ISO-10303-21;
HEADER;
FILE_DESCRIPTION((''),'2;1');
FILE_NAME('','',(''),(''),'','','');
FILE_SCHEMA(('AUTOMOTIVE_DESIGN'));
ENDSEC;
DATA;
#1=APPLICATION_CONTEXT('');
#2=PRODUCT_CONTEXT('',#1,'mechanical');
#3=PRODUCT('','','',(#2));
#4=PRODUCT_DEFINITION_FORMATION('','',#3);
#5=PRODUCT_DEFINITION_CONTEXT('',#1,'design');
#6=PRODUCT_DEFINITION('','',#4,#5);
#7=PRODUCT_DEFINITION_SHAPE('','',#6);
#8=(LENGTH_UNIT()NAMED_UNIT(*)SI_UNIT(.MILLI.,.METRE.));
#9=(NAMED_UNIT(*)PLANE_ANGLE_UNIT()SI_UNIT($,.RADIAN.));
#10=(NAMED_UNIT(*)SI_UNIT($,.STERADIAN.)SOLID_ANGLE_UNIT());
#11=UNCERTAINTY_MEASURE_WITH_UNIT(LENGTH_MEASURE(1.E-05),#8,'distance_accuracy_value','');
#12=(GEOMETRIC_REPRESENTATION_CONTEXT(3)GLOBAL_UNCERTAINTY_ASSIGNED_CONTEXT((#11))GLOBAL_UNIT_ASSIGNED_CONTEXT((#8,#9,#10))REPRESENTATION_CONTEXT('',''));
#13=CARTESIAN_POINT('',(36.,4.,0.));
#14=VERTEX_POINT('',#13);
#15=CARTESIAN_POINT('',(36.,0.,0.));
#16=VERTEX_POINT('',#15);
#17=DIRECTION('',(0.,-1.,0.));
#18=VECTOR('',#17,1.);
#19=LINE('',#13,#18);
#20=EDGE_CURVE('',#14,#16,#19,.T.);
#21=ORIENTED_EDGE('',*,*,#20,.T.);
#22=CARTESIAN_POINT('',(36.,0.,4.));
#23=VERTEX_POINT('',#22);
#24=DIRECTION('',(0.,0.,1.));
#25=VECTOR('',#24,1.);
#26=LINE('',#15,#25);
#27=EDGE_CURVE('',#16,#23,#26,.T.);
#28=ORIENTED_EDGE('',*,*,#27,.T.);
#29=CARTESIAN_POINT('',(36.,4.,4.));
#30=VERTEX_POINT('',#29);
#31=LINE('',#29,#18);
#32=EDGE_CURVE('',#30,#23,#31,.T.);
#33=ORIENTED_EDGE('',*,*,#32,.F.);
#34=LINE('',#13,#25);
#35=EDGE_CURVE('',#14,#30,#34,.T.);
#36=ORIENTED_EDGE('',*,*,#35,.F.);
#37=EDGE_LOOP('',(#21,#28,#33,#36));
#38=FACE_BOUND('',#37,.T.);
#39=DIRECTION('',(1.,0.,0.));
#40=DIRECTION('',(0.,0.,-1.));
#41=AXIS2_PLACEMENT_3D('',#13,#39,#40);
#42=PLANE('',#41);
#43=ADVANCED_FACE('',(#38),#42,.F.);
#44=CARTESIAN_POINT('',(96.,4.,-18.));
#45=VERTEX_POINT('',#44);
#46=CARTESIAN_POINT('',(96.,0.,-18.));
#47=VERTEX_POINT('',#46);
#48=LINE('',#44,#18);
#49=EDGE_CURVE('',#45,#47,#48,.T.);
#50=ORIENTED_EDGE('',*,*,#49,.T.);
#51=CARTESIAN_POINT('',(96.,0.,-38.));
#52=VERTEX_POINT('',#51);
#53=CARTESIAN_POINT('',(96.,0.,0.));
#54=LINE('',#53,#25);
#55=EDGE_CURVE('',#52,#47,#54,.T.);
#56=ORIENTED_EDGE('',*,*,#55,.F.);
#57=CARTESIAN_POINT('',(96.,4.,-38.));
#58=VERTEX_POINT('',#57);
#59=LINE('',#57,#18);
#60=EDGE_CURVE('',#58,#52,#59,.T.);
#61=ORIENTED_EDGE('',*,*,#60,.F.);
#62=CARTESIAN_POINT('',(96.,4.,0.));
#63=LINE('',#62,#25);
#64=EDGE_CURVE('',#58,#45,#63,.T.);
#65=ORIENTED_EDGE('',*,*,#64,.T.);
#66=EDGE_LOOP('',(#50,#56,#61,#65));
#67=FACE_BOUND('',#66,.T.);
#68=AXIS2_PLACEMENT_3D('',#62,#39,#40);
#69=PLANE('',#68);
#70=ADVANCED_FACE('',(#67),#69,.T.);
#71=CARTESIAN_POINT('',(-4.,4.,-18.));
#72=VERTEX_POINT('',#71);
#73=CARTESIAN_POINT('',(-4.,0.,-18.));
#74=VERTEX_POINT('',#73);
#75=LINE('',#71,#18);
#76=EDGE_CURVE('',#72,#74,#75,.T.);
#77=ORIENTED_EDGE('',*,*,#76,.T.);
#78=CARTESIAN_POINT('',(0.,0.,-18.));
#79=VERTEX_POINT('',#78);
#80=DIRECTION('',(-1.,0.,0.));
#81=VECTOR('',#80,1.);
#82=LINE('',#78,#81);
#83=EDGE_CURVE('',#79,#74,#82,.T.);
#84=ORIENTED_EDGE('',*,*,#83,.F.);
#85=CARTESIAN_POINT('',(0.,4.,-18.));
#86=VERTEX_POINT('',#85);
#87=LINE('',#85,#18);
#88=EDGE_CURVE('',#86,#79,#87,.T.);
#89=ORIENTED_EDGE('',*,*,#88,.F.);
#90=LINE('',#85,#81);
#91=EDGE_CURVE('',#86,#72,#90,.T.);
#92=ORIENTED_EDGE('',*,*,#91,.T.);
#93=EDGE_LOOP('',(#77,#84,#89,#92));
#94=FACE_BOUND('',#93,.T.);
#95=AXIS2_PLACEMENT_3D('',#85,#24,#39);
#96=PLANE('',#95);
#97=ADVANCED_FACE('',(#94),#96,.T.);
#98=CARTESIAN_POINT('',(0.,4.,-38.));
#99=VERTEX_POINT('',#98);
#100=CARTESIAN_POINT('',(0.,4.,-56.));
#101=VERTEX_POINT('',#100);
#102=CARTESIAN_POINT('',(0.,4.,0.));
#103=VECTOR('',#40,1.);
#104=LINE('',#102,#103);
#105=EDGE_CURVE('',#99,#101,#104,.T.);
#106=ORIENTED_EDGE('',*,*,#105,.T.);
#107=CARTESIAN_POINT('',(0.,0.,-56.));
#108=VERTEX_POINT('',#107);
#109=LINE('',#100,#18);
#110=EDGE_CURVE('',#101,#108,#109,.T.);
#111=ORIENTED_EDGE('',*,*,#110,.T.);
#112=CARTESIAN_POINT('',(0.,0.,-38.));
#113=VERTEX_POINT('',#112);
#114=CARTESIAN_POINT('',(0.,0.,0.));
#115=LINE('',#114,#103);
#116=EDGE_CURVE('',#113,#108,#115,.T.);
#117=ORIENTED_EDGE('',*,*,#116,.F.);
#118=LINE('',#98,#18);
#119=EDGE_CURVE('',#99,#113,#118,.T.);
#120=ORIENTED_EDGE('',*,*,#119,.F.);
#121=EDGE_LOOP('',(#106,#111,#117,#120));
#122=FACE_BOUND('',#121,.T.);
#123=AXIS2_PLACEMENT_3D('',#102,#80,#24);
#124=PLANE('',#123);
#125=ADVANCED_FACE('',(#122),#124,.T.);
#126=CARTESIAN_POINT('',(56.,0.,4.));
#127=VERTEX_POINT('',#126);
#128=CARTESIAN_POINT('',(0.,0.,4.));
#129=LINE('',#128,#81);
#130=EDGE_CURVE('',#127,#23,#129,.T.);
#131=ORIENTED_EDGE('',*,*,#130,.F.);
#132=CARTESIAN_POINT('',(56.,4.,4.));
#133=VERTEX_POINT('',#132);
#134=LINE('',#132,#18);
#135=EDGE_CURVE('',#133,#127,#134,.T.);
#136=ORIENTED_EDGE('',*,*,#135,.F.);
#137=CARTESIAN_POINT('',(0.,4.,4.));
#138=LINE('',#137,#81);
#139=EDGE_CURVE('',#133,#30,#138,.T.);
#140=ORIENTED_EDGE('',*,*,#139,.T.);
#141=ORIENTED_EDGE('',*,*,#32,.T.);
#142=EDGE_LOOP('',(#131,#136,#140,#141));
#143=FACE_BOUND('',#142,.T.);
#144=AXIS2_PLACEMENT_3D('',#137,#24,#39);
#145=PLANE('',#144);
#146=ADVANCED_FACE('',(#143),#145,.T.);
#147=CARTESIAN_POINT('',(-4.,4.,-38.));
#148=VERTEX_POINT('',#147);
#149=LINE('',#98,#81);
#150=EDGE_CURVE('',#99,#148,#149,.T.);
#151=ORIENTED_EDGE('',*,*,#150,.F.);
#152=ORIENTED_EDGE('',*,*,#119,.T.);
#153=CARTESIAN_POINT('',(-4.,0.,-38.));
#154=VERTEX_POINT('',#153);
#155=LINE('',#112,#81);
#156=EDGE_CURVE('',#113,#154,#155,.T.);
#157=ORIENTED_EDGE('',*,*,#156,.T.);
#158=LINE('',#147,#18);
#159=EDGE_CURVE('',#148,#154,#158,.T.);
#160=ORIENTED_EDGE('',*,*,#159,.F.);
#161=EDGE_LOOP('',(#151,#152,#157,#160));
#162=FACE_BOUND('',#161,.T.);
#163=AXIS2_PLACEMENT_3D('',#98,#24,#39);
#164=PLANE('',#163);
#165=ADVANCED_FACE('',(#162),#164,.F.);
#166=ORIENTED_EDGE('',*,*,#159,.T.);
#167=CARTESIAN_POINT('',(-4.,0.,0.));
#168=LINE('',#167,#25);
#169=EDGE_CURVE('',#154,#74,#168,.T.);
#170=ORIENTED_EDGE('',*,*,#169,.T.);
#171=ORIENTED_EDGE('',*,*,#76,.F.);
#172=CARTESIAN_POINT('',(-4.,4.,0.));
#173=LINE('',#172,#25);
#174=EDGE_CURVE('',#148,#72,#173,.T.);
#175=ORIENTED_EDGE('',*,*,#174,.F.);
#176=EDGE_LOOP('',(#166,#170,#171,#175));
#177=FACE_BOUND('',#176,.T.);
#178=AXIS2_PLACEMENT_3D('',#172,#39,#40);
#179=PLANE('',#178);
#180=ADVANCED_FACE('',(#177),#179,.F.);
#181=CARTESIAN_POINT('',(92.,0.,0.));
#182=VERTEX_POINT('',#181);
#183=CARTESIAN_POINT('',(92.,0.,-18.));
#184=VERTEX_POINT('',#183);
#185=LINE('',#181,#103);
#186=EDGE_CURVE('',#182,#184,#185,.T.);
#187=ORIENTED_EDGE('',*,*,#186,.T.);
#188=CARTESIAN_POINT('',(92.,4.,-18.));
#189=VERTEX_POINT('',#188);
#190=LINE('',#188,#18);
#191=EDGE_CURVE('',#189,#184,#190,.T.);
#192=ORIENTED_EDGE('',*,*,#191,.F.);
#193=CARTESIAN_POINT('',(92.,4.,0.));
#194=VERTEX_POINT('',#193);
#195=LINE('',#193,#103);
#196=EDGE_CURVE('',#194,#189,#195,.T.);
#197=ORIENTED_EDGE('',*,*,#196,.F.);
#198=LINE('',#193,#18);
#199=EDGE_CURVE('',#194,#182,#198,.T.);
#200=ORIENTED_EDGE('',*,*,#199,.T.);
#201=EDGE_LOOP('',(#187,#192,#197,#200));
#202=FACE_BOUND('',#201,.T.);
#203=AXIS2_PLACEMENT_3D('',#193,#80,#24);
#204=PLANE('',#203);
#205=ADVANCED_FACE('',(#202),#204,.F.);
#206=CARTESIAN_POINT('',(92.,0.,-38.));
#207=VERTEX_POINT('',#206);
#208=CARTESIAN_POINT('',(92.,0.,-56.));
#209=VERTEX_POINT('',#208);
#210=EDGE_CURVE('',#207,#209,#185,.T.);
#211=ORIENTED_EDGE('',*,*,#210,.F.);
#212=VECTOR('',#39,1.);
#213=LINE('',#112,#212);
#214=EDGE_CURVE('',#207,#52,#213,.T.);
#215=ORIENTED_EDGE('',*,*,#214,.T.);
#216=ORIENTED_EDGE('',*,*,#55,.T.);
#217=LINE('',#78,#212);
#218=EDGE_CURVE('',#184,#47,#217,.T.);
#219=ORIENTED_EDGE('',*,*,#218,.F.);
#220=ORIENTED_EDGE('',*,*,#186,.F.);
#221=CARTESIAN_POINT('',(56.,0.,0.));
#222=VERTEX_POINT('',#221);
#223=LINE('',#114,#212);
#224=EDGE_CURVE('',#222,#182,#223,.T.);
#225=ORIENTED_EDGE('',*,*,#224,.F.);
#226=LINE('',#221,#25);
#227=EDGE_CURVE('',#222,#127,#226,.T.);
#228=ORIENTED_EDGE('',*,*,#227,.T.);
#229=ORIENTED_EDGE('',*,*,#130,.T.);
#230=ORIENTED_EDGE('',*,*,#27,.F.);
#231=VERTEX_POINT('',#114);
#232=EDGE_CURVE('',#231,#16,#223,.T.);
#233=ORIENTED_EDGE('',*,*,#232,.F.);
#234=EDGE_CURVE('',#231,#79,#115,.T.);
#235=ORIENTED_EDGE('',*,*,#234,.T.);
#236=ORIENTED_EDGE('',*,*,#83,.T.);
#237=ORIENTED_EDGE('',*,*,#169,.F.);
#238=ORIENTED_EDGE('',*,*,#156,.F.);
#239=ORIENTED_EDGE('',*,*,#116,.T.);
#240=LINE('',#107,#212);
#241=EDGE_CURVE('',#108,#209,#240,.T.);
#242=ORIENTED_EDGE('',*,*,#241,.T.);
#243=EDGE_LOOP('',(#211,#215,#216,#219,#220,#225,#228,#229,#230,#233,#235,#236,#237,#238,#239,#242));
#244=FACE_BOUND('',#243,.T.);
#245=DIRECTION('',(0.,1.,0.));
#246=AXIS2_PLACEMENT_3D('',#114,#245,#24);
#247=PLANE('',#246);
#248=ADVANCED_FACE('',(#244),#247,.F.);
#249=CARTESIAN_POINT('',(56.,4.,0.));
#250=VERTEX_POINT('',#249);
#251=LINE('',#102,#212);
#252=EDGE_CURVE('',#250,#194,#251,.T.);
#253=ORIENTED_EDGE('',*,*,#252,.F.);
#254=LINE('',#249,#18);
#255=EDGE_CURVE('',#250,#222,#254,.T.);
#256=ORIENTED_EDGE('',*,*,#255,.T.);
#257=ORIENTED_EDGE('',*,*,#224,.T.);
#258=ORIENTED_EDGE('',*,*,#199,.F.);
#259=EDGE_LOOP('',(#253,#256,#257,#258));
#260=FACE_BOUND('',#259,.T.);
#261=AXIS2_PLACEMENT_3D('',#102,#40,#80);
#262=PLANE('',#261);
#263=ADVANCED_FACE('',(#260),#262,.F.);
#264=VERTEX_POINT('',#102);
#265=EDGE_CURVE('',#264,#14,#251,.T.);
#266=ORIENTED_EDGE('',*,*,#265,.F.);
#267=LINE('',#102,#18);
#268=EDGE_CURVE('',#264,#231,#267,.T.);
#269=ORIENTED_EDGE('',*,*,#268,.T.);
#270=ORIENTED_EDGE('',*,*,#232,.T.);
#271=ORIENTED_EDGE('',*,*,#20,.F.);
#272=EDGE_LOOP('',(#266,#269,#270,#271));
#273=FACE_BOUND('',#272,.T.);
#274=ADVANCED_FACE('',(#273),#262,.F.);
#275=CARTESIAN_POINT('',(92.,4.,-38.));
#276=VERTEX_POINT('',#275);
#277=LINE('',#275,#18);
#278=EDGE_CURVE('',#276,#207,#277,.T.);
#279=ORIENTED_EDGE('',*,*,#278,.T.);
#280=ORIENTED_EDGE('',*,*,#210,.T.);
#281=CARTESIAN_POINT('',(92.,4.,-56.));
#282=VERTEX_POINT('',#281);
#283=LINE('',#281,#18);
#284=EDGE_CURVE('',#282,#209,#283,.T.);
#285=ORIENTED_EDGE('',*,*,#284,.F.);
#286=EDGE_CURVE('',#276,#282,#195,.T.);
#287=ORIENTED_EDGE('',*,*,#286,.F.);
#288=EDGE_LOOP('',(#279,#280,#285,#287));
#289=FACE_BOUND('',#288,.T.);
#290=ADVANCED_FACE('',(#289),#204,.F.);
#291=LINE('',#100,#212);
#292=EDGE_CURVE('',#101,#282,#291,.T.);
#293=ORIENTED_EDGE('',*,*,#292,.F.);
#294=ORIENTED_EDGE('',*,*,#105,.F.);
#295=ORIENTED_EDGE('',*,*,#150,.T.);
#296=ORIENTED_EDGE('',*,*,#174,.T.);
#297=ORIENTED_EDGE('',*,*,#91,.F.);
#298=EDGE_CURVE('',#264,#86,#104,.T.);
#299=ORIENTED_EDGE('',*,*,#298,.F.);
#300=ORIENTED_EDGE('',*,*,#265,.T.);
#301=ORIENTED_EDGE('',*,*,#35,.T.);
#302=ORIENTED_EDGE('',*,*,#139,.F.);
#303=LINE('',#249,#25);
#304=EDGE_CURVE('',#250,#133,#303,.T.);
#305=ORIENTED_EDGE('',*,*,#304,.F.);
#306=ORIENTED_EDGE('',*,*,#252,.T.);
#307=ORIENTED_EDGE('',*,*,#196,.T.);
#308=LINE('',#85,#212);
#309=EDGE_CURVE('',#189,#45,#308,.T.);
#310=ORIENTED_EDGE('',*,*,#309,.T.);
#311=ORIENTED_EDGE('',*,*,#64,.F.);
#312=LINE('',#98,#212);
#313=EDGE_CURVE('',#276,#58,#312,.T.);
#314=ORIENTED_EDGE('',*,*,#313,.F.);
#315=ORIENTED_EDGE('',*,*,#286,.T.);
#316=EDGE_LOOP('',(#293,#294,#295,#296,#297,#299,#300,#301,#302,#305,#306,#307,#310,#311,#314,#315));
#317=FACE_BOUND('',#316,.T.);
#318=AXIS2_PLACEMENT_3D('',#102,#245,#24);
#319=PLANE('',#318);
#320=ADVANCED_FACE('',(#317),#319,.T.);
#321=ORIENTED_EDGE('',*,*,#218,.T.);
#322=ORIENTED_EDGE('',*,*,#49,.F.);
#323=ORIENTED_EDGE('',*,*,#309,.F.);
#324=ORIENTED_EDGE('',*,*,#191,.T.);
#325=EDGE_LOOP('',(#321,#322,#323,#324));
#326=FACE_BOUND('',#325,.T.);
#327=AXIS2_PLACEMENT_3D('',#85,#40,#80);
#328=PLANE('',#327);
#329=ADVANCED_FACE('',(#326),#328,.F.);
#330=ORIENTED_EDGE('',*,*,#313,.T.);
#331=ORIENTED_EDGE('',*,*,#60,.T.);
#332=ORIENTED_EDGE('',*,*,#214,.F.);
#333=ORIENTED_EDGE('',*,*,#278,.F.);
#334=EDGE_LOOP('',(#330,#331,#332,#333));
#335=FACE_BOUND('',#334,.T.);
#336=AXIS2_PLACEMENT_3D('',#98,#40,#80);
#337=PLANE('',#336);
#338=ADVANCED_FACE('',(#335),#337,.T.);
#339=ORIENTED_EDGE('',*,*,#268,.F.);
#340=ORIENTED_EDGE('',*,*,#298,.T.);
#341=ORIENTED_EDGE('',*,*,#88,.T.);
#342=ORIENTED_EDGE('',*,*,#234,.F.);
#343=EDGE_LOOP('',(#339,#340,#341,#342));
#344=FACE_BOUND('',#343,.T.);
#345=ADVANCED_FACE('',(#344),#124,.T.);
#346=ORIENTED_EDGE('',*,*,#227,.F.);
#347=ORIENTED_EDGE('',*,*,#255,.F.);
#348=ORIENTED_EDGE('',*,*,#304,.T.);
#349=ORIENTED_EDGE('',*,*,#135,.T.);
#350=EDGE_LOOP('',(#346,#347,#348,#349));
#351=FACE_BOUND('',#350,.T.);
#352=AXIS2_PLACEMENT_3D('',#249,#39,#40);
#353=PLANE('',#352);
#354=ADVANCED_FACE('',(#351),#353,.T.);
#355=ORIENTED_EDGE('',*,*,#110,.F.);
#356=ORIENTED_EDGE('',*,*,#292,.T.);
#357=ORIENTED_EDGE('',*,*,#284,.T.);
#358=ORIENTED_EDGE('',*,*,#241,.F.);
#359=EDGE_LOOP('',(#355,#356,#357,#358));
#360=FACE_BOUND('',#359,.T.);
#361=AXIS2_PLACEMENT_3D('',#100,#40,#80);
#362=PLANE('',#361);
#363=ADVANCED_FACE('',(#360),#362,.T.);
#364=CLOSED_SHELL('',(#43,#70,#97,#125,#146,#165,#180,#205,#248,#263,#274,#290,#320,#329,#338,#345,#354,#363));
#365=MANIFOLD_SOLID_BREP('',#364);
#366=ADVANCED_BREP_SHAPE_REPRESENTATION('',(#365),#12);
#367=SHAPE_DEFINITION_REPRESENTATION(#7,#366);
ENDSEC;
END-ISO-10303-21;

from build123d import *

# Parameters (mm, degrees)
SKETCH_1_W      = 92
SKETCH_1_H      = 56
SKETCH_1_W_2    = 4
SKETCH_1_H_2    = 20
SKETCH_1_W_3    = 20
SKETCH_1_H_3    = 4
EXTRUDE_2_DEPTH = 4


with BuildPart() as part:
    # 草图1 → 凸台-拉伸2 (new body)
    with BuildSketch(Plane(origin=(0, 0, 0), x_dir=(1, 0, 0), z_dir=(0, 1, 0))):
        with Locations((46, 28)):
            Rectangle(SKETCH_1_W, SKETCH_1_H)
        with Locations((-2, 28)):
            Rectangle(SKETCH_1_W_2, SKETCH_1_H_2)
        with Locations((94, 28)):
            Rectangle(SKETCH_1_W_2, SKETCH_1_H_2)
        with Locations((46, -2)):
            Rectangle(SKETCH_1_W_3, SKETCH_1_H_3)
    extrude(amount=EXTRUDE_2_DEPTH)


solid = part.part
